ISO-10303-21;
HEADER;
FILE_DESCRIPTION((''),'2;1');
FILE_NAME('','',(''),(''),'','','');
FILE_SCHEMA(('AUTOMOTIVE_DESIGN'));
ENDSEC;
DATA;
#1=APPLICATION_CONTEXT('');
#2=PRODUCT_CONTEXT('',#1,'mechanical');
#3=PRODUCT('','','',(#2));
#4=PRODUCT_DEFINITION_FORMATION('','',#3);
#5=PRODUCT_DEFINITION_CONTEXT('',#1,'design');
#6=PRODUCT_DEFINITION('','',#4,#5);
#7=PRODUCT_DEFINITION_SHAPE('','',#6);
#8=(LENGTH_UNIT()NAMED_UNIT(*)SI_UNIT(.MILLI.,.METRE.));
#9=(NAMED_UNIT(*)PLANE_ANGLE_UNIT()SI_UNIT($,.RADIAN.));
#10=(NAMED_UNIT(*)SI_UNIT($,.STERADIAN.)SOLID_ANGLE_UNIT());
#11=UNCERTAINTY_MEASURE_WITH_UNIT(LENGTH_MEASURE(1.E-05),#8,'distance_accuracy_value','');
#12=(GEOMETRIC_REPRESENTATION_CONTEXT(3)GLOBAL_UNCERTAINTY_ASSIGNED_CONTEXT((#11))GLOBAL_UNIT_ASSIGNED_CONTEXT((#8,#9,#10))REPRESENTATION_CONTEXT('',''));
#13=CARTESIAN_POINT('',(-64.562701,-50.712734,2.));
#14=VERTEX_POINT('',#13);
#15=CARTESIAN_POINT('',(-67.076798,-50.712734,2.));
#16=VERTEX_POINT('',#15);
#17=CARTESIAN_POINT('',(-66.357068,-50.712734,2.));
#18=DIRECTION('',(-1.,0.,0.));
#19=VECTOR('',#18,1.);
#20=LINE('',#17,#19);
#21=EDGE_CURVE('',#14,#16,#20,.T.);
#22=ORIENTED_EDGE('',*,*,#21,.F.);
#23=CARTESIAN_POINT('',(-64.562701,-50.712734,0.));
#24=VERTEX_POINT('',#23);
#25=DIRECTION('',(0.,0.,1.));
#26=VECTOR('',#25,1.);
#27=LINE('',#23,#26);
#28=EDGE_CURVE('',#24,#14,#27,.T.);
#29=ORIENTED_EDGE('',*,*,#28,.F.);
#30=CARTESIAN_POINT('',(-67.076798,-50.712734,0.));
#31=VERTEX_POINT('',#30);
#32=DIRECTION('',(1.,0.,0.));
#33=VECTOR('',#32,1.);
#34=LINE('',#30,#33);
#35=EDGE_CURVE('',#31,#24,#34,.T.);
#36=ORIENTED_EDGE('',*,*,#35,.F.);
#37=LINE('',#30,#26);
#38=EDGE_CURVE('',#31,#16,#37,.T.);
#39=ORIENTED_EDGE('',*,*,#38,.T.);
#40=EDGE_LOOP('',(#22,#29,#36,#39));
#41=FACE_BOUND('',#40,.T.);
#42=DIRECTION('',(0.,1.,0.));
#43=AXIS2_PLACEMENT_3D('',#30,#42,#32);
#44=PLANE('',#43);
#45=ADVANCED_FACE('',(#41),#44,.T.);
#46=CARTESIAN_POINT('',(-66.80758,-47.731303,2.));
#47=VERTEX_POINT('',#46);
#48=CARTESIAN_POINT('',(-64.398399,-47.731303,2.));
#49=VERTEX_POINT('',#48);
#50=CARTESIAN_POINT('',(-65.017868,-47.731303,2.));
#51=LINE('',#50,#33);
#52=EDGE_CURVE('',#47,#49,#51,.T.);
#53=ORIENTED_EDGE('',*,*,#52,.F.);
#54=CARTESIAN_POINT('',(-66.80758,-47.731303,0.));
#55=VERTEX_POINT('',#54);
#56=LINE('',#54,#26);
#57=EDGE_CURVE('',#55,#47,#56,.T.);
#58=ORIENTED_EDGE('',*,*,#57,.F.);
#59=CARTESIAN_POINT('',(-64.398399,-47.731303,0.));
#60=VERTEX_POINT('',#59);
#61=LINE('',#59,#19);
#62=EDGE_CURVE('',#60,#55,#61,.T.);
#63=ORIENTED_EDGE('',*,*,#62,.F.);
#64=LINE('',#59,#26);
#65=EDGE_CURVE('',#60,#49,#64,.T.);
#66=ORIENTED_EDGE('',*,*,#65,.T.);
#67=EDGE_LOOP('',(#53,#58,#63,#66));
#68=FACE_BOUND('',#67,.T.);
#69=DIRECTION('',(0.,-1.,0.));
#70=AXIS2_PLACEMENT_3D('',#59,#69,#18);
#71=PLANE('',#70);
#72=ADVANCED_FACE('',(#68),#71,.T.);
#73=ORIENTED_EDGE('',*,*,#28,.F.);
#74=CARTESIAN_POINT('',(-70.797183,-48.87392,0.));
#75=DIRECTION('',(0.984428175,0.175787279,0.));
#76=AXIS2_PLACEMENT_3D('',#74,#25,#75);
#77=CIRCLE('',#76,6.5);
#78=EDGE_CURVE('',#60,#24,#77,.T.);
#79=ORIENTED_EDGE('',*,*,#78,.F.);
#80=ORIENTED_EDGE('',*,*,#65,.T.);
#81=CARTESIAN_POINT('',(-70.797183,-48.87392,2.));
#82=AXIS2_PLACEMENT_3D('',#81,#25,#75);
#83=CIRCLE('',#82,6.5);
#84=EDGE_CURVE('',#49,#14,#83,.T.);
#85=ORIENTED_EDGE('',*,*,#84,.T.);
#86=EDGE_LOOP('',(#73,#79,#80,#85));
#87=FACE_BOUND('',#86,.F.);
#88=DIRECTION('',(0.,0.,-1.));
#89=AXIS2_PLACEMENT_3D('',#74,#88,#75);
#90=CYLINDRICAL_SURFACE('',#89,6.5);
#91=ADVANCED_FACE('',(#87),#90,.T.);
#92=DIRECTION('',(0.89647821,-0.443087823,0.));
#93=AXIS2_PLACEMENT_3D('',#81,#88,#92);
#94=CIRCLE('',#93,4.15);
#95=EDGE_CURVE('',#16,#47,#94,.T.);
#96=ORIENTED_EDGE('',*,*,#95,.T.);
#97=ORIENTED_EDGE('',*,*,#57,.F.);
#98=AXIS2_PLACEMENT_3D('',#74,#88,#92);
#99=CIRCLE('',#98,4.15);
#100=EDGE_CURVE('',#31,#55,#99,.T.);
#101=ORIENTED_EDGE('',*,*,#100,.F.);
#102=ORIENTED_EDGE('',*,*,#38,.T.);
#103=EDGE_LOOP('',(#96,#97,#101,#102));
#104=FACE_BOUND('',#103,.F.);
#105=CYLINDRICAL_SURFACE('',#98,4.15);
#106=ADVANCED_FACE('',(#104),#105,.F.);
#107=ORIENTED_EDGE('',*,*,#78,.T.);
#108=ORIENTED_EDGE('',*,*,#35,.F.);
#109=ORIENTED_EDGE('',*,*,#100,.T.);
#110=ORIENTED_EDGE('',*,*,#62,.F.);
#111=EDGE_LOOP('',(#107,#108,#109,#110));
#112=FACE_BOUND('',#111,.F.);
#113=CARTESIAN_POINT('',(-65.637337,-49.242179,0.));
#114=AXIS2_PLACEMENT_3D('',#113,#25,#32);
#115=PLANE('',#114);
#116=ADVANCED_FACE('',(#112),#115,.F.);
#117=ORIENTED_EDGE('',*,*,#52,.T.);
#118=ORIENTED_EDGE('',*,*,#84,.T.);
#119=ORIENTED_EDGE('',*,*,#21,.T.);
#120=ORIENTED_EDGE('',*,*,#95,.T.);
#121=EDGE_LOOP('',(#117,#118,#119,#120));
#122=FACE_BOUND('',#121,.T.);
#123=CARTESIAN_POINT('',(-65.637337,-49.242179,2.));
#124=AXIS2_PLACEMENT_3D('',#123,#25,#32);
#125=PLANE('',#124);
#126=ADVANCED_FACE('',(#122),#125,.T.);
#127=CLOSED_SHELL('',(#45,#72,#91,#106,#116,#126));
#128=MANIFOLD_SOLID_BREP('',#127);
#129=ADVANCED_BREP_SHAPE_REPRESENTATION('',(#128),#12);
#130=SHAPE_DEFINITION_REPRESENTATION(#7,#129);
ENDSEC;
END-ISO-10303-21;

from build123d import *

# Parameters (mm, degrees)
F1_DEPTH = 2
F2_DEPTH = 25


with BuildPart() as f1:
    # F0 (on Top) → F1 (new body)
    with BuildSketch(Plane.XY):
        with BuildLine():
            ThreePointArc((-66.8075804249, -47.7313026786), (-66.6874776966, -48.2970097353), (-66.6471826196, -48.8739199936))
            ThreePointArc((-66.6471826196, -48.8739199936), (-66.7560134837, -49.8180873599), (-67.0767980487, -50.7127344608))
            Line((-67.0767980487, -50.7127344608), (-64.5627009767, -50.7127344608))
            ThreePointArc((-64.5627009767, -50.7127344608), (-64.3639046573, -49.8028627587), (-64.2971826196, -48.8739199936))
            ThreePointArc((-64.2971826196, -48.8739199936), (-64.3225362814, -48.3003741843), (-64.3983994797, -47.7313026786))
            Line((-64.3983994797, -47.7313026786), (-66.8075804249, -47.7313026786))
        make_face()
        with BuildLine():
            ThreePointArc((-67.0767980487, -50.7127344608), (-74.9303663621, -48.5007013568), (-66.8075804249, -47.7313026786))
            Line((-66.8075804249, -47.7313026786), (-64.3983994797, -47.7313026786))
            ThreePointArc((-64.3983994797, -47.7313026786), (-77.2873350551, -48.5162590311), (-64.5627009767, -50.7127344608))
            Line((-64.5627009767, -50.7127344608), (-67.0767980487, -50.7127344608))
        make_face()
    extrude(amount=F1_DEPTH)

    # F0 (on Top) → F2 (cut)
    with BuildSketch(Plane.XY):
        with BuildLine():
            ThreePointArc((-66.8075804249, -47.7313026786), (-66.6874776966, -48.2970097353), (-66.6471826196, -48.8739199936))
            ThreePointArc((-66.6471826196, -48.8739199936), (-66.7560134837, -49.8180873599), (-67.0767980487, -50.7127344608))
            Line((-67.0767980487, -50.7127344608), (-64.5627009767, -50.7127344608))
            ThreePointArc((-64.5627009767, -50.7127344608), (-64.3639046573, -49.8028627587), (-64.2971826196, -48.8739199936))
            ThreePointArc((-64.2971826196, -48.8739199936), (-64.3225362814, -48.3003741843), (-64.3983994797, -47.7313026786))
            Line((-64.3983994797, -47.7313026786), (-66.8075804249, -47.7313026786))
        make_face()
    extrude(amount=F2_DEPTH, mode=Mode.SUBTRACT)


solid = f1.part
